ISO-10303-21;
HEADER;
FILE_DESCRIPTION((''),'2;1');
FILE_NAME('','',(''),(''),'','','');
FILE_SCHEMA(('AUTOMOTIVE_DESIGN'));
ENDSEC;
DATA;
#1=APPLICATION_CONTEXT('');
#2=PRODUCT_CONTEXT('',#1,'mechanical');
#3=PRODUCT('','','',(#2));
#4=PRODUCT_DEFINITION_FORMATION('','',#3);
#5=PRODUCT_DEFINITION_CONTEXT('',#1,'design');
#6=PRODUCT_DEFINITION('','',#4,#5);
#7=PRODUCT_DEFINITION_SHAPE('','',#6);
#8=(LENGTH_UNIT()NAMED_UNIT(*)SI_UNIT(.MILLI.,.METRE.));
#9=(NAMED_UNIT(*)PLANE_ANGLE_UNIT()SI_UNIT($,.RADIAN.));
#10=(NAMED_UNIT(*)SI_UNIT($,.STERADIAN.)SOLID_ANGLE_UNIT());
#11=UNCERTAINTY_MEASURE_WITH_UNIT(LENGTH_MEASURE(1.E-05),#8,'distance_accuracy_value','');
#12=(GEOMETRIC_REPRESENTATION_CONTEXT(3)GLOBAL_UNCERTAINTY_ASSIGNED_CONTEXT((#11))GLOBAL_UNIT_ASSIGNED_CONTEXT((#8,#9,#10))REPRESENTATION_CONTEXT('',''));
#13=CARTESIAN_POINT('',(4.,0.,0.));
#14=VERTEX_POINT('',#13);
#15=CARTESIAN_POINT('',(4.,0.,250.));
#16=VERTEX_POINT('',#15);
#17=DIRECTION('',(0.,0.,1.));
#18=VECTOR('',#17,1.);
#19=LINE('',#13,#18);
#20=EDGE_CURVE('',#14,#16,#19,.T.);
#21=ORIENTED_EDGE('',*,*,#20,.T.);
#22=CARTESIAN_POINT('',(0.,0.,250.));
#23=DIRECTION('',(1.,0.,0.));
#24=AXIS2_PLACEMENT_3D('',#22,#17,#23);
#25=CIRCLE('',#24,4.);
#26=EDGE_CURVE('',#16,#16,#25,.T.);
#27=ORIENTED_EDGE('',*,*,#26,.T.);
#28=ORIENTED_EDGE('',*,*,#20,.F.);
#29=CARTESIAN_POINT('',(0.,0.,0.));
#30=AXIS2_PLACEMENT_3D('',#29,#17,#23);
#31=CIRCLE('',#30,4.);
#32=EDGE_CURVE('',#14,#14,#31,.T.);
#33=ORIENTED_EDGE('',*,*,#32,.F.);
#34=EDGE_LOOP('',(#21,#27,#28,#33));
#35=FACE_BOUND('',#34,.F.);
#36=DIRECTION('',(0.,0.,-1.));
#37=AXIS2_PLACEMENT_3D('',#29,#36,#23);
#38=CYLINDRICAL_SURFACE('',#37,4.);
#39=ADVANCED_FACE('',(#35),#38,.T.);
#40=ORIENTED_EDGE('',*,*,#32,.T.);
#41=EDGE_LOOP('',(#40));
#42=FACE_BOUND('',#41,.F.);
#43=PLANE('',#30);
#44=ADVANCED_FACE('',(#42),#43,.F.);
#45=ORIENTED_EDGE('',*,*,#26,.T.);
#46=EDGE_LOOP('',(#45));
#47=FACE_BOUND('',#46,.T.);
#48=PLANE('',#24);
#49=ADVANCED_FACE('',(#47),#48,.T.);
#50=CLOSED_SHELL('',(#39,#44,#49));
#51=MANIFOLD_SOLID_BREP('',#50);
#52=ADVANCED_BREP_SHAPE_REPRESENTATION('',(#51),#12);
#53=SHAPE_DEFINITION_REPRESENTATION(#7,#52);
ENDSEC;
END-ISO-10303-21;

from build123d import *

# Parameters (mm, degrees)
IZIM1_R                     = 4
Y_KSEKLIK_EKSTR_ZYON1_DEPTH = 250


with BuildPart() as part:
    # Çizim1 → Yükseklik-Ekstrüzyon1 (new body)
    with BuildSketch(Plane.XY):
        Circle(IZIM1_R)
    extrude(amount=Y_KSEKLIK_EKSTR_ZYON1_DEPTH)


solid = part.part
